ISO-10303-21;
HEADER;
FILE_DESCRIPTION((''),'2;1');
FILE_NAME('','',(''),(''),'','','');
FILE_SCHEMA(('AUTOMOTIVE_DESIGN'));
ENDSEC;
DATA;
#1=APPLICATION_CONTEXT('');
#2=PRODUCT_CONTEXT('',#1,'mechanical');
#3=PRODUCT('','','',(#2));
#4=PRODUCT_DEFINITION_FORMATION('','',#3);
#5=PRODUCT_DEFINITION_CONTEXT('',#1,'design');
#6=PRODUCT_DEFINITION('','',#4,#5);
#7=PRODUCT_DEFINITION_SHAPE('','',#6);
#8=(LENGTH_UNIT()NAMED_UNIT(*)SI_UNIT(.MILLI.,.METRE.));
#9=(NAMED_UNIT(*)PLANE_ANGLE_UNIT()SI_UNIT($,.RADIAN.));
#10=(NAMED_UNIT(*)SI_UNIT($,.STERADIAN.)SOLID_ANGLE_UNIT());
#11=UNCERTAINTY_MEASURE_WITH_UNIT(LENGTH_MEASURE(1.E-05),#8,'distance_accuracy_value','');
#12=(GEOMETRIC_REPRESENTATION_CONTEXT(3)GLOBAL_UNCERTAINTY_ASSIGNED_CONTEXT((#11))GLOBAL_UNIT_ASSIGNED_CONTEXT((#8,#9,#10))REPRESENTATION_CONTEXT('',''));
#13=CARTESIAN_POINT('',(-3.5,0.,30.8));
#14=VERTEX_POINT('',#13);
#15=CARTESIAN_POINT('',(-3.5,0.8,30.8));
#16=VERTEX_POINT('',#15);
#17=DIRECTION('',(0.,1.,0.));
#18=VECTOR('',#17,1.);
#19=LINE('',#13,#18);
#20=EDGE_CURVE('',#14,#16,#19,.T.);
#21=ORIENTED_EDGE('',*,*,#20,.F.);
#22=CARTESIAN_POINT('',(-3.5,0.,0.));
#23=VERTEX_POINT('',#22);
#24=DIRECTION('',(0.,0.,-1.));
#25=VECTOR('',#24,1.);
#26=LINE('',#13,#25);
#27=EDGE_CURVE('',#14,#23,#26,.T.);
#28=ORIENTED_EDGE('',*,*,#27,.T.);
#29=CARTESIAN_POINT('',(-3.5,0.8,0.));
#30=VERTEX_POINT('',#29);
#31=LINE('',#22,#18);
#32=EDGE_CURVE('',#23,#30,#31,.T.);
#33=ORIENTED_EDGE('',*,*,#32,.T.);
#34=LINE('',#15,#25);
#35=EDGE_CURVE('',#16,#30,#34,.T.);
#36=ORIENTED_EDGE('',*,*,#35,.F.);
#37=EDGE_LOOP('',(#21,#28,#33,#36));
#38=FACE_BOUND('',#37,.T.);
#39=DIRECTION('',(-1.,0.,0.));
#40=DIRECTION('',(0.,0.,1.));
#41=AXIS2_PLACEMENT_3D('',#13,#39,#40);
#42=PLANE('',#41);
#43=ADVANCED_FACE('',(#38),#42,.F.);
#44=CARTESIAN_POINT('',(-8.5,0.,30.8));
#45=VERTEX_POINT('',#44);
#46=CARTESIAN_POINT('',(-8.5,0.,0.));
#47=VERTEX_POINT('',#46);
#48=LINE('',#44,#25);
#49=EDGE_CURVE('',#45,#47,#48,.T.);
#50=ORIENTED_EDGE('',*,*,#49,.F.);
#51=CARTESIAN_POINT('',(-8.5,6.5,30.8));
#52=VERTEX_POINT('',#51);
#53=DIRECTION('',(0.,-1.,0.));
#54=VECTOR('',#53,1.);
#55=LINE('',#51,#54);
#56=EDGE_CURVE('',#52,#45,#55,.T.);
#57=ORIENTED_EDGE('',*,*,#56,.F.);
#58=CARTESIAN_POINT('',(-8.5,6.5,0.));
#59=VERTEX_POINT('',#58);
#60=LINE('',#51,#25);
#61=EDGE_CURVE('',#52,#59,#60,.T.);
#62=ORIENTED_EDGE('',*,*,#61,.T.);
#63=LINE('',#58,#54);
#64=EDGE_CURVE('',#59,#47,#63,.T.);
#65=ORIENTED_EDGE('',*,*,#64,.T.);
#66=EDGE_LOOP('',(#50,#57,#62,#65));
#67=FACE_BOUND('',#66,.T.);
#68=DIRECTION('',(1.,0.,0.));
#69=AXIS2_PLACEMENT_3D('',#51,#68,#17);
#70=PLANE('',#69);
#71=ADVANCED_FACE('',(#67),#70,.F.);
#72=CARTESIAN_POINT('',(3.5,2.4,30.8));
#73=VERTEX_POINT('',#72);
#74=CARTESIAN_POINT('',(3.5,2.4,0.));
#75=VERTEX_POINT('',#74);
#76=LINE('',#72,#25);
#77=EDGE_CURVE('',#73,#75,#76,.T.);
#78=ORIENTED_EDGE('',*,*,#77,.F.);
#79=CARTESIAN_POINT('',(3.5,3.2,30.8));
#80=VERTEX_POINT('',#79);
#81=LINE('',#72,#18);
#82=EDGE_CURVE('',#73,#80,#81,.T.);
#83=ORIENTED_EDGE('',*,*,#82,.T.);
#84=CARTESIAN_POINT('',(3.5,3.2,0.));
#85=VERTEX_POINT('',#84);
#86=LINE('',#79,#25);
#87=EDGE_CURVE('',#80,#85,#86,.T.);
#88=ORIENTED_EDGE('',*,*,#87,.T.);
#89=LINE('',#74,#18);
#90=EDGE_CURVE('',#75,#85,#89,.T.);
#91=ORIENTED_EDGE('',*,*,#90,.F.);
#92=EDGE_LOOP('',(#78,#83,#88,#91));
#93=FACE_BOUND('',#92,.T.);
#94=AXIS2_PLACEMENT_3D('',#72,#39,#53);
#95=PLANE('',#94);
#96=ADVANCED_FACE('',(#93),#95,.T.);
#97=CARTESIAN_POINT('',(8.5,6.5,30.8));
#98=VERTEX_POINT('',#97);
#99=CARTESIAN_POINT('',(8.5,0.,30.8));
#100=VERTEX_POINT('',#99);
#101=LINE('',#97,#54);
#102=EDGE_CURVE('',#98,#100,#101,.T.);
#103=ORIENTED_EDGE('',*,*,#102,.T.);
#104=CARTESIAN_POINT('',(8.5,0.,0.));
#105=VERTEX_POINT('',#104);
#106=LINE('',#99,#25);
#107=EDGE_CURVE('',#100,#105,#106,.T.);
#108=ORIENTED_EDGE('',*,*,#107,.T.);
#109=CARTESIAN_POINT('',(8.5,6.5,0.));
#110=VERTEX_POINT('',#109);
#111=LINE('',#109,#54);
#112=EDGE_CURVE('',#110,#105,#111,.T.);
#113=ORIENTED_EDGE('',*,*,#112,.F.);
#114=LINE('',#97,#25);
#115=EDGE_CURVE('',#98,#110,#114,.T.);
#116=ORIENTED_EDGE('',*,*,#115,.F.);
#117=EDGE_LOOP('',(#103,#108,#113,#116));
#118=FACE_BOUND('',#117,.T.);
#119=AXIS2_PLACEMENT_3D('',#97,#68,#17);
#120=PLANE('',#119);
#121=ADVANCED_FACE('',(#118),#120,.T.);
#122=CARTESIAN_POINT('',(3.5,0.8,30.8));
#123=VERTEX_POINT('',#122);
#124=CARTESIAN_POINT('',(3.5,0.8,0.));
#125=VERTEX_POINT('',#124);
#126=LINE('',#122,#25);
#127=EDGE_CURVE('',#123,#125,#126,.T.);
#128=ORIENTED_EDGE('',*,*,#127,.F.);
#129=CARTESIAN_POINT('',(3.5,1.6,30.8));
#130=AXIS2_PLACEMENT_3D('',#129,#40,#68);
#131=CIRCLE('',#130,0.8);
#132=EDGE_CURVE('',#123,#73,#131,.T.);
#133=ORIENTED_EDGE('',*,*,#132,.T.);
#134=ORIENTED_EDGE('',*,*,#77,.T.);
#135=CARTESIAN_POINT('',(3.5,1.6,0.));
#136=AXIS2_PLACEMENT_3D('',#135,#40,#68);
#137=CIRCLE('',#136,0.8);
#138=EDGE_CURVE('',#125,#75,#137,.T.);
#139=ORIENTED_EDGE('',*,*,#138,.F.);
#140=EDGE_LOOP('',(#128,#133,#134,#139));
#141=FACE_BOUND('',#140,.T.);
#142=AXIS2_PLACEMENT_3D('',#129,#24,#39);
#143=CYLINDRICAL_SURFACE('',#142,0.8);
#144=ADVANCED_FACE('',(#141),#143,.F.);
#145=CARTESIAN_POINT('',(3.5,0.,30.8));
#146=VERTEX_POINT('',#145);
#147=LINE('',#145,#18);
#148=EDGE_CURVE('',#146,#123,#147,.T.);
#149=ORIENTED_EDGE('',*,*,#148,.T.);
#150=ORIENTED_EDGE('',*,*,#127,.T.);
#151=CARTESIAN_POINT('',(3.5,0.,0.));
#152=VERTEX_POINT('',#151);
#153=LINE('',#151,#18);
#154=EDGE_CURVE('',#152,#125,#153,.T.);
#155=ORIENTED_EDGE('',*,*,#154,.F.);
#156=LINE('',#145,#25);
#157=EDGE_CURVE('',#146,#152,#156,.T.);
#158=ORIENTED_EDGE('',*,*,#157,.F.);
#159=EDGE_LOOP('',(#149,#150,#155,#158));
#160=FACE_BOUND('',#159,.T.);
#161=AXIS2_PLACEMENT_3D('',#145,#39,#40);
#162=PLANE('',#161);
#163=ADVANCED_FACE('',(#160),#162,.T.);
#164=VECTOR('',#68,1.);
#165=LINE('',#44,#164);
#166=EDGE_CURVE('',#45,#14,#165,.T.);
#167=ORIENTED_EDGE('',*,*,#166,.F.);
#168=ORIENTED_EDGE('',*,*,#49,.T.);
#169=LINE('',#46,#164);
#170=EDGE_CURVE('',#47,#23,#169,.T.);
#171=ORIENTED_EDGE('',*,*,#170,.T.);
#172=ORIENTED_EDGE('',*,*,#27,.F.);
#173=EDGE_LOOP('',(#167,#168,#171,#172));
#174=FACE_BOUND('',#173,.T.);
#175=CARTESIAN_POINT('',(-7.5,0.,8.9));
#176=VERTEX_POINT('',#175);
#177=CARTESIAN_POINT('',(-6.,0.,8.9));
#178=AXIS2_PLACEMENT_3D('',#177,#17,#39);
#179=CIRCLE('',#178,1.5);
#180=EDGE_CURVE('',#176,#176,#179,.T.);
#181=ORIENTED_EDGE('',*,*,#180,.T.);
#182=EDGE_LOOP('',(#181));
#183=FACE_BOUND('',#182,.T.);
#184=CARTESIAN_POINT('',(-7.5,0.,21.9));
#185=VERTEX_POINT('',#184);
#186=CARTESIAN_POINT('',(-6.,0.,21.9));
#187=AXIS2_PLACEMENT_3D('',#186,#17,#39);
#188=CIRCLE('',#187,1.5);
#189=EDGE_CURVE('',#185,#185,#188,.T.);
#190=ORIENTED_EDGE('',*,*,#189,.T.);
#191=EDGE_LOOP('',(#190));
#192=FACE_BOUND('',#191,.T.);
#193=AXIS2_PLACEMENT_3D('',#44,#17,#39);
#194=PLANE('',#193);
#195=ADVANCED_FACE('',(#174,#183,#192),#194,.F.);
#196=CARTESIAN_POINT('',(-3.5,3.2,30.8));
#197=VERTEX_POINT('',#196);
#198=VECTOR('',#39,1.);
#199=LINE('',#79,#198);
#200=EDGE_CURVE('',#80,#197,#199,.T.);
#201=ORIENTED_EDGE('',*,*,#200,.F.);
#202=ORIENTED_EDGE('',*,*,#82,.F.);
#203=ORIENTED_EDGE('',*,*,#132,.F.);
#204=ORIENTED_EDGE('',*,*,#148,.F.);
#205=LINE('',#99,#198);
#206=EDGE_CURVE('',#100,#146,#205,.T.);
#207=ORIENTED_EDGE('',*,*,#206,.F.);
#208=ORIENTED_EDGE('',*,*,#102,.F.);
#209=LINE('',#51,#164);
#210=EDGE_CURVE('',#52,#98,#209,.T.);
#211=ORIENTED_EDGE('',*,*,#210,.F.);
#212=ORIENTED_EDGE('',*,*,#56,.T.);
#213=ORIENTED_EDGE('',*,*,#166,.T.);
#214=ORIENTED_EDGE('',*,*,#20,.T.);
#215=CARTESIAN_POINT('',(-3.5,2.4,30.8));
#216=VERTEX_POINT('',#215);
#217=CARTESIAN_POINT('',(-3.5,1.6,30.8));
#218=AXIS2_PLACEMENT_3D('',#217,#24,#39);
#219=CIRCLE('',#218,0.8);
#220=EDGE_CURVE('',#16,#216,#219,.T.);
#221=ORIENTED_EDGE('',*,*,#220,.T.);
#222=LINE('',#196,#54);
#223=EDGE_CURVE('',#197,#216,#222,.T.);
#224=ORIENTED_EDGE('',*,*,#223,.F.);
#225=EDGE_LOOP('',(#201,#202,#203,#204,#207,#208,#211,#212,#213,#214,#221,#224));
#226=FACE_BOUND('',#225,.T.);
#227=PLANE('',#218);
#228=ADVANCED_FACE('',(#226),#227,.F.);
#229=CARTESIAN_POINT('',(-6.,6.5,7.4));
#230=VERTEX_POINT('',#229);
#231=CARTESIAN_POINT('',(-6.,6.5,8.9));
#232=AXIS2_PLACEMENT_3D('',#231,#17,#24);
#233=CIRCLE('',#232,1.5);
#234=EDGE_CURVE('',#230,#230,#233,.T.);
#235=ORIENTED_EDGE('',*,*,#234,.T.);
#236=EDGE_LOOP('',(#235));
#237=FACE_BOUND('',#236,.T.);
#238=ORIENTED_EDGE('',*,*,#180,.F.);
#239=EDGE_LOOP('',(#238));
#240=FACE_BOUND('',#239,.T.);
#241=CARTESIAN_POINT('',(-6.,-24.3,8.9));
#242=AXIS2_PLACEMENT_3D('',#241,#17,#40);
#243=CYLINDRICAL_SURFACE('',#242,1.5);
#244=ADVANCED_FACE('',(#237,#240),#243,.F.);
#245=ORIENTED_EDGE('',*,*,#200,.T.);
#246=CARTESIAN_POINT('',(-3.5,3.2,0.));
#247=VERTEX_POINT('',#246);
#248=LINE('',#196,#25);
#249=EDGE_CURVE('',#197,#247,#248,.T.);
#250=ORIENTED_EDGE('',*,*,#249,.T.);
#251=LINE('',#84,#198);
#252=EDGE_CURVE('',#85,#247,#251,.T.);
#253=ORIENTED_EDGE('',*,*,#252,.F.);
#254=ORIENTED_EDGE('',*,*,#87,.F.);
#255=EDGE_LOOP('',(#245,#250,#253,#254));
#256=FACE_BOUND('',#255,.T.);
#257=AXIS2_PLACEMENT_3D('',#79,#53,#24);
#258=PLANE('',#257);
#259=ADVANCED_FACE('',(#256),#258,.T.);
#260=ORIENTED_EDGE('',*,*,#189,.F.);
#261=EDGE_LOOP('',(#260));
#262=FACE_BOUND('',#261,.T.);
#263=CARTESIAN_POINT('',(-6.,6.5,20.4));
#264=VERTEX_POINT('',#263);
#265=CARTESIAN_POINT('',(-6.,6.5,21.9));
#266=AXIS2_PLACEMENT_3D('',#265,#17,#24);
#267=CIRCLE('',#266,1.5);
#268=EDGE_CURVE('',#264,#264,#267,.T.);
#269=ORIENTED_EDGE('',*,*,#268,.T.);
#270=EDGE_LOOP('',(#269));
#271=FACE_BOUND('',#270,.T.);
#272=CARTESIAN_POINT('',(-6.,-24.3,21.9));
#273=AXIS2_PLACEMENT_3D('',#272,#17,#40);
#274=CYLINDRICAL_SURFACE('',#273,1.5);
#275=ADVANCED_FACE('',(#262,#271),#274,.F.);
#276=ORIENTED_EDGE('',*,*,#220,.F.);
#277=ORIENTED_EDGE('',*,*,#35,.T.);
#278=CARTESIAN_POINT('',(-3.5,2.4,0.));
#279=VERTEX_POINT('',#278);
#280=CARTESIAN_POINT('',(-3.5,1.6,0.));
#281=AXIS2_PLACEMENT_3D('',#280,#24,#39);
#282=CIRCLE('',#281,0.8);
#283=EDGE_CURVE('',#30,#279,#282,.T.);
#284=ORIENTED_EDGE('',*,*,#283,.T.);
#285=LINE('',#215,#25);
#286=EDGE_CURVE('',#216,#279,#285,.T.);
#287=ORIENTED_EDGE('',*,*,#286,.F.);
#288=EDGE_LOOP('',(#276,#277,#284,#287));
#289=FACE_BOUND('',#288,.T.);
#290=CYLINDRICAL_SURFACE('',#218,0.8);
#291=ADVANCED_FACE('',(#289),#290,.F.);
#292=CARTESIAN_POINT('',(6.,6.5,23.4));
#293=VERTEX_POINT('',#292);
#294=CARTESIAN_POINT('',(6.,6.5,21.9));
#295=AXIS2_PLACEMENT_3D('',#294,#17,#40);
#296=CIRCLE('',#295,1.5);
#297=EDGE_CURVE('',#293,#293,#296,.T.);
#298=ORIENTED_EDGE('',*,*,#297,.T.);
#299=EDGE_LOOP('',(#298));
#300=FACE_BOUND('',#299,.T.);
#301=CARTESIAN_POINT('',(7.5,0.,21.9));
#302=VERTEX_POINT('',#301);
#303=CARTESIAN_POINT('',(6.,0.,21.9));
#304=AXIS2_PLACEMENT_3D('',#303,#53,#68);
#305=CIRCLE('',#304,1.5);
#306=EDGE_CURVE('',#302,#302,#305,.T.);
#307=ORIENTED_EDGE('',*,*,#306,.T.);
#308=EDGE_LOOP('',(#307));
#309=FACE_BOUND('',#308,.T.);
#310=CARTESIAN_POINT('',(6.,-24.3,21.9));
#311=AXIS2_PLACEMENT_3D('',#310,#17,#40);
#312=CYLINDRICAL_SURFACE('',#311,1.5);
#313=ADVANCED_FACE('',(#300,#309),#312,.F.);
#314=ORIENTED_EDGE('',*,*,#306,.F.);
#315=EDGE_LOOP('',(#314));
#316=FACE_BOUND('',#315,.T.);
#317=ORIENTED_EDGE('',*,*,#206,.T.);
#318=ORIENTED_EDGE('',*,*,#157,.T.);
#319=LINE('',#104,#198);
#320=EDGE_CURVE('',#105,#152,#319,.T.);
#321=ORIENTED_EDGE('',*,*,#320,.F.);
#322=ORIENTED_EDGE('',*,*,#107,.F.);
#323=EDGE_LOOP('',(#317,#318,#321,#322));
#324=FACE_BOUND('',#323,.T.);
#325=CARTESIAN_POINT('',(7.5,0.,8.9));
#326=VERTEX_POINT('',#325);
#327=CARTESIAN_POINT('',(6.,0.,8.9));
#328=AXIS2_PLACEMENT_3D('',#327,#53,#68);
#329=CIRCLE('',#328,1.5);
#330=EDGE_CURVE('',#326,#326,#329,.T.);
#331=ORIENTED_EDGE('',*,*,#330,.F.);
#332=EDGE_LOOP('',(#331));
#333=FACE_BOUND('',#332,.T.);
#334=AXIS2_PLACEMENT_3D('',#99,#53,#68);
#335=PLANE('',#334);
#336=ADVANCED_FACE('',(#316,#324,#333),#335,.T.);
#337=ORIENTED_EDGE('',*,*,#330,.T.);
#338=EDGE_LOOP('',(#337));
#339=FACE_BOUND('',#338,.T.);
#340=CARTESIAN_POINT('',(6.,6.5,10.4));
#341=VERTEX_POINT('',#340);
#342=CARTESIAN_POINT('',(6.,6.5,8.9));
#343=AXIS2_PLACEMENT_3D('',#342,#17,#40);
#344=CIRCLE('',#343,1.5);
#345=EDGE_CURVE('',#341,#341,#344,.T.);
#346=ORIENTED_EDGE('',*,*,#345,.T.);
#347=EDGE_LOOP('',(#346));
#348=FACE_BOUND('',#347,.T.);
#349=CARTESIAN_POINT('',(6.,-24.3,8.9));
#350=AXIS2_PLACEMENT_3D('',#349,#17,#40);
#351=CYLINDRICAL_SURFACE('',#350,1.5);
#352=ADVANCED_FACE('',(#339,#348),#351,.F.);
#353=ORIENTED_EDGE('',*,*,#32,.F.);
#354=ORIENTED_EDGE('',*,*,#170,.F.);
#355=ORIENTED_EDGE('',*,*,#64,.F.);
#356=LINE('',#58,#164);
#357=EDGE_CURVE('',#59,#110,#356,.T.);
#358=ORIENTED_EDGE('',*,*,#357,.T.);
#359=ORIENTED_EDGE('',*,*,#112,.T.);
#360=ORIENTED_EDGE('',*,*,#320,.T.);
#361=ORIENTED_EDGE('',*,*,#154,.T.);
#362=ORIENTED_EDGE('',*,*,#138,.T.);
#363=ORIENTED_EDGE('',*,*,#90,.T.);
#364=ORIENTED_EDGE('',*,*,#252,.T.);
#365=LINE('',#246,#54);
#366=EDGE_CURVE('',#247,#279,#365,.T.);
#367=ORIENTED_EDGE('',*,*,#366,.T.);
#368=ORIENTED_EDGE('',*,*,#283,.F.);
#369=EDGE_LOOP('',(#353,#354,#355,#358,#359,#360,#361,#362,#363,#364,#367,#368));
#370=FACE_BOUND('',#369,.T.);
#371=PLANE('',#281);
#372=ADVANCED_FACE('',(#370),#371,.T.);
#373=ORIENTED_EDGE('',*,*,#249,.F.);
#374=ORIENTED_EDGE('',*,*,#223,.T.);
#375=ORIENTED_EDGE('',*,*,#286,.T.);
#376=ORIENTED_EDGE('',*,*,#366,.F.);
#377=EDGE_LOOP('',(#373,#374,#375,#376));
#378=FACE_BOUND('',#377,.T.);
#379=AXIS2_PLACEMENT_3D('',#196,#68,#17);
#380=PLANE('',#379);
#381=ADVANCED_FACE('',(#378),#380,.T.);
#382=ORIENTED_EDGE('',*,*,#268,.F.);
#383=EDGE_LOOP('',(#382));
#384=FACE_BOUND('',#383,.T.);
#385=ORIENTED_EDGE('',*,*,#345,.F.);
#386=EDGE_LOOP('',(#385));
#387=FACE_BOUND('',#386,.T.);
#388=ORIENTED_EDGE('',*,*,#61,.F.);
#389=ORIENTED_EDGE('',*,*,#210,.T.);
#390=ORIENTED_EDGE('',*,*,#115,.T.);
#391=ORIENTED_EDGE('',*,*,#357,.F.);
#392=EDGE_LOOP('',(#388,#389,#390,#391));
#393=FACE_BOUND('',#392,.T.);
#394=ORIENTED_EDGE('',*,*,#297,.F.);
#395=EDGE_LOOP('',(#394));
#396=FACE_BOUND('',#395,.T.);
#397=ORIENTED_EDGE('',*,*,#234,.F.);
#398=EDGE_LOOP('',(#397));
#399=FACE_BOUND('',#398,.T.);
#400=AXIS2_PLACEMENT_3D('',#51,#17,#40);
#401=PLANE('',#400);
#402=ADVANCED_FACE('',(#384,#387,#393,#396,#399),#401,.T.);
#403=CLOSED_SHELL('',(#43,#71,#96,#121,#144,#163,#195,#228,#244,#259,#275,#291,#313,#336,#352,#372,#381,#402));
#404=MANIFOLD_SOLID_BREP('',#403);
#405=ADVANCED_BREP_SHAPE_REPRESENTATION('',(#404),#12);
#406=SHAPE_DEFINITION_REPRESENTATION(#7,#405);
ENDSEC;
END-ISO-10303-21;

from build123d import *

# Parameters (mm, degrees)
RESSALTO_EXTRUS_O1_DEPTH = 30.8
ESBO_O2_R                = 1.5
CORTE_EXTRUS_O1_DEPTH    = 30.8


with BuildPart() as part:
    # Esboço1 → Ressalto-extrusão1 (new body)
    with BuildSketch(Plane.XY):
        with BuildLine():
            Line((-8.5, 6.5), (8.5, 6.5))
            Line((8.5, 6.5), (8.5, 0))
            Line((8.5, 0), (3.5, 0))
            Line((3.5, 0), (3.5, 0.8))
            ThreePointArc((3.5, 0.8), (4.3, 1.6), (3.5, 2.4))
            Line((3.5, 2.4), (3.5, 3.2))
            Line((3.5, 3.2), (-3.5, 3.2))
            Line((-3.5, 3.2), (-3.5, 2.4))
            ThreePointArc((-3.5, 2.4), (-4.3, 1.6), (-3.5, 0.8))
            Line((-3.5, 0.8), (-3.5, 0))
            Line((-3.5, 0), (-8.5, 0))
            Line((-8.5, 0), (-8.5, 6.5))
        make_face()
    extrude(amount=RESSALTO_EXTRUS_O1_DEPTH)

    # Esboço2 → Corte-extrusão1 (cut)
    with BuildSketch(Plane(origin=(0, 6.5, 0), x_dir=(1, 0, 0), z_dir=(0, 1, 0))):
        with Locations((6, -21.9)):
            Circle(ESBO_O2_R)
        with Locations((6, -8.9)):
            Circle(ESBO_O2_R)
        with Locations((-6, -21.9)):
            Circle(ESBO_O2_R)
        with Locations((-6, -8.9)):
            Circle(ESBO_O2_R)
    extrude(amount=-CORTE_EXTRUS_O1_DEPTH, mode=Mode.SUBTRACT)


solid = part.part
